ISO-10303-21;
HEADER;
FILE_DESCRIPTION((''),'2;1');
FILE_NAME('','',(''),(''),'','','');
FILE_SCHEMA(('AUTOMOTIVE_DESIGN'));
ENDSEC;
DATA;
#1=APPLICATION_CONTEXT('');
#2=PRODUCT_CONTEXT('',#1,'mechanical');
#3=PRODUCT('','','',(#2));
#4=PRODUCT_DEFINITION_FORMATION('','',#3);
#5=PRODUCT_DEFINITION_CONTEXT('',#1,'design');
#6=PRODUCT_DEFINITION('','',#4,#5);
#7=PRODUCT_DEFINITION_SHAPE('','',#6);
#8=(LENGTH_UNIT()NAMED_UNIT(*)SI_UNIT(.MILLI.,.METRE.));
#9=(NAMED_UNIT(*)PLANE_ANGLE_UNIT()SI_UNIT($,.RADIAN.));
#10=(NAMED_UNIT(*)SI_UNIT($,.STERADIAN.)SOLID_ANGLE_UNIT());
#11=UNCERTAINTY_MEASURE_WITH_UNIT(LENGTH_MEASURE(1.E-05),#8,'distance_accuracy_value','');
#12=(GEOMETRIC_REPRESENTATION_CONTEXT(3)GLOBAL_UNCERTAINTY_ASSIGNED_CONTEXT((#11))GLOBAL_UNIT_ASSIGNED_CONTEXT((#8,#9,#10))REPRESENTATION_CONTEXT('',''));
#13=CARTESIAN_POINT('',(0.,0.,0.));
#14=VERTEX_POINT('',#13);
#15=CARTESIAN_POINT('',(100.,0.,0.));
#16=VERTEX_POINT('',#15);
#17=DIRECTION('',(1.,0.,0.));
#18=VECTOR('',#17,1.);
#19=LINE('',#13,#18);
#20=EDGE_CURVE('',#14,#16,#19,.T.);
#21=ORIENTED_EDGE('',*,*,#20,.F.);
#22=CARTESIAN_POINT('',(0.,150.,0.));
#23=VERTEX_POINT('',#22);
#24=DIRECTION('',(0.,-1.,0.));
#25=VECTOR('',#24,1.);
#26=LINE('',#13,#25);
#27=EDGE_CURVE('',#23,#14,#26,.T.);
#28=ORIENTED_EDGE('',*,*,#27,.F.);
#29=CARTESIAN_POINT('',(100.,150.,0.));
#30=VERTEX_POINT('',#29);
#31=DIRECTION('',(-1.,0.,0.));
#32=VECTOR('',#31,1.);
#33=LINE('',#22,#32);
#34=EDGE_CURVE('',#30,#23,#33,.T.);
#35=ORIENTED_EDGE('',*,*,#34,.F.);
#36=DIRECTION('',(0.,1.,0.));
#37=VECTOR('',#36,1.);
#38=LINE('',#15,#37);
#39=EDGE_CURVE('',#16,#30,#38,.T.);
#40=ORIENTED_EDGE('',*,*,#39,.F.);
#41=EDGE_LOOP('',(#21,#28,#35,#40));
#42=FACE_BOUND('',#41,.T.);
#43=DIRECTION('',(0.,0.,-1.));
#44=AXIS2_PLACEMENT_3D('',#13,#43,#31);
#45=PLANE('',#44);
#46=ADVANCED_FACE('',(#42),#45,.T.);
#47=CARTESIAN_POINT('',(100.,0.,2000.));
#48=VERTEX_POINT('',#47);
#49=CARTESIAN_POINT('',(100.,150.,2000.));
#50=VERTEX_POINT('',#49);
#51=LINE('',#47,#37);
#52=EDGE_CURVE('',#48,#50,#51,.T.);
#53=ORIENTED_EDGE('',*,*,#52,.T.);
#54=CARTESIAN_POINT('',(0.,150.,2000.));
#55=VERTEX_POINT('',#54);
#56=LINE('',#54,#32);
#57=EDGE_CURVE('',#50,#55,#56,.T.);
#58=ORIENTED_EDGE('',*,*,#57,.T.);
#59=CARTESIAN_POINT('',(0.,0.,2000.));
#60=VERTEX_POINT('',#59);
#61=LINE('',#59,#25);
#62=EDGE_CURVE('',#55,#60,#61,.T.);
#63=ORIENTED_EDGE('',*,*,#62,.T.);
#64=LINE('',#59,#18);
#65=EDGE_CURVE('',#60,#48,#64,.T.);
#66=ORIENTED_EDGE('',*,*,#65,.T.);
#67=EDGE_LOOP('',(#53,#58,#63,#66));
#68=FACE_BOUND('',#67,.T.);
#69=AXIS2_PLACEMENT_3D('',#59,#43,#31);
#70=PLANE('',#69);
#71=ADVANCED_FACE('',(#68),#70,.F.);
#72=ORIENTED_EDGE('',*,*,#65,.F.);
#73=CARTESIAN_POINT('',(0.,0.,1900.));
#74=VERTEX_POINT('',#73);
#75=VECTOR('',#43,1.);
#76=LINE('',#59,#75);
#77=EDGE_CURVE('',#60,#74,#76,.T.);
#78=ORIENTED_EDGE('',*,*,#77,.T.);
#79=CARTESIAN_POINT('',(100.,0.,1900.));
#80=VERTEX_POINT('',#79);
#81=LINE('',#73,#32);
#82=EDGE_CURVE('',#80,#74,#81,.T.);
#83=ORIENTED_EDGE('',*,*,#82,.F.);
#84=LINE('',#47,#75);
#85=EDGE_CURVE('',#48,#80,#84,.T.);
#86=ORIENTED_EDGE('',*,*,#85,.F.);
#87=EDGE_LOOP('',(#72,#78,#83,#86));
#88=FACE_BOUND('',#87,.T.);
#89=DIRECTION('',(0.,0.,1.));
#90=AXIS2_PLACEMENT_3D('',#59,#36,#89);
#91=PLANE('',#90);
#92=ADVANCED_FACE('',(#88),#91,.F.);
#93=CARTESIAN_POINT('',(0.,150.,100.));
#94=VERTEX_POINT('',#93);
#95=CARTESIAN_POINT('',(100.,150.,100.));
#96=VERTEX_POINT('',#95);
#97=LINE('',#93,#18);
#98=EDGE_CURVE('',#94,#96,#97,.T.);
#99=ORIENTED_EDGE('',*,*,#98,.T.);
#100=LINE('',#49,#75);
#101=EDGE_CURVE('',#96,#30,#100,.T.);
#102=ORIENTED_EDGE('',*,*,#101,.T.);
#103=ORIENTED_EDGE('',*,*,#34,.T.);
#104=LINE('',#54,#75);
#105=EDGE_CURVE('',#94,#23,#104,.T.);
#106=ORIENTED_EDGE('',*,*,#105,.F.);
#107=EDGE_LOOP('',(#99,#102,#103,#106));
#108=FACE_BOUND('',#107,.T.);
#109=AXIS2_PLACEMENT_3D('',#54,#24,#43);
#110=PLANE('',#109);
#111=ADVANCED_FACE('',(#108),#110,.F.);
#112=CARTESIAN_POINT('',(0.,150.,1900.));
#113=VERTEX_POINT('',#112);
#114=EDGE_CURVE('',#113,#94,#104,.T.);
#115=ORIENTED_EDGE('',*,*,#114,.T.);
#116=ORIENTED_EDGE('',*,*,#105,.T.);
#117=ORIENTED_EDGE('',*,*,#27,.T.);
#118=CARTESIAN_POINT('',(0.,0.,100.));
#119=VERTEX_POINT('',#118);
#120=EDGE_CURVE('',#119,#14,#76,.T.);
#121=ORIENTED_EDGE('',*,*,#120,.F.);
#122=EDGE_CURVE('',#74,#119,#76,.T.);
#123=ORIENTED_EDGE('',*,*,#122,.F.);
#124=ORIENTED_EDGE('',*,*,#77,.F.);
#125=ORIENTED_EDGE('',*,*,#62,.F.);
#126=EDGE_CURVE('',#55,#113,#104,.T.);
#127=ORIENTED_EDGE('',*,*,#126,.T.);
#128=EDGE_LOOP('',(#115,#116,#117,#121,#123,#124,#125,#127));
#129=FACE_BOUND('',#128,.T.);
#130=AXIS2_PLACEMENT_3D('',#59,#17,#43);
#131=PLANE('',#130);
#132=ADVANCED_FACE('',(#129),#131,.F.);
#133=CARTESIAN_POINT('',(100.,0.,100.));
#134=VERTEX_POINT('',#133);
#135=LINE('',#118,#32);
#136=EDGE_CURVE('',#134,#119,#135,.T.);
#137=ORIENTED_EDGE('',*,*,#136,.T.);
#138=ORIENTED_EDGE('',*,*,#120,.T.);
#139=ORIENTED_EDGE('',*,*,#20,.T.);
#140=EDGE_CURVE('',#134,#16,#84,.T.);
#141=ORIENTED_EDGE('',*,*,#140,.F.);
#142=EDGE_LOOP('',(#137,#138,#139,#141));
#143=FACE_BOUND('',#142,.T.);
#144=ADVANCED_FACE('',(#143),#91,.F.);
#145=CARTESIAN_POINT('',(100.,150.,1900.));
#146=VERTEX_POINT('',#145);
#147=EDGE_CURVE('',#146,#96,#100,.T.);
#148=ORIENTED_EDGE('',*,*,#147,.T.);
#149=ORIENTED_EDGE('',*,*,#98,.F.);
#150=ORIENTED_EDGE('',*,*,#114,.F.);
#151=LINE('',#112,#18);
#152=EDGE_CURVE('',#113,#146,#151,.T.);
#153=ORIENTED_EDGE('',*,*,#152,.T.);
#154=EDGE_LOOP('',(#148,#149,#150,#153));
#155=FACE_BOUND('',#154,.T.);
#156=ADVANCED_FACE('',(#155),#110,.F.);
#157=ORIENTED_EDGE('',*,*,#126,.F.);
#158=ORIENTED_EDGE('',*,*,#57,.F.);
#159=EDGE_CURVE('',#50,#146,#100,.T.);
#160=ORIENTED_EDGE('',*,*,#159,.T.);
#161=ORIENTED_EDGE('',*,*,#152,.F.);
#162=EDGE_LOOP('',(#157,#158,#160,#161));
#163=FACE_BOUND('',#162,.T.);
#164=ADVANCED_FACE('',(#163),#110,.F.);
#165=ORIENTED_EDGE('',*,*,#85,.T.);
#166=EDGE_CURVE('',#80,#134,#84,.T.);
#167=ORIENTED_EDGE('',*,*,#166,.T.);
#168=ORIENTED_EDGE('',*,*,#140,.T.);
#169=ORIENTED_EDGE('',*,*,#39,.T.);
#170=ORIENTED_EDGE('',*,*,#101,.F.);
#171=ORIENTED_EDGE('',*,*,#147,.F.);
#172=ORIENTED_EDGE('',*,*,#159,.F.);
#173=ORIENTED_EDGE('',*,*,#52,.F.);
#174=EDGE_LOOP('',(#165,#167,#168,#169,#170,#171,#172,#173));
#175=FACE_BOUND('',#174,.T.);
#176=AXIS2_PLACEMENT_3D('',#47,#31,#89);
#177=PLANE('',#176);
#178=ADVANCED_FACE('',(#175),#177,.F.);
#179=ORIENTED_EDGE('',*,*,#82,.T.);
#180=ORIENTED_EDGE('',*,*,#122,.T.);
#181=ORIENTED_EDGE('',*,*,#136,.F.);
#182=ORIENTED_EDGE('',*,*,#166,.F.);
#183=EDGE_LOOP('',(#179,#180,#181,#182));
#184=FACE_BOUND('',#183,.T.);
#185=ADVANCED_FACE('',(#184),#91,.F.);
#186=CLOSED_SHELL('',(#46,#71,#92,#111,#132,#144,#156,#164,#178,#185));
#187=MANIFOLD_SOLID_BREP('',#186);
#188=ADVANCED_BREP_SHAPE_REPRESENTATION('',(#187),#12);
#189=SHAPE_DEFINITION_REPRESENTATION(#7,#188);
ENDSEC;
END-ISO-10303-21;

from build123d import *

# Parameters (mm, degrees)
SKETCH1_W           = 100
SKETCH1_H           = 150
BOSS_EXTRUDE1_DEPTH = 2000


with BuildPart() as part:
    # Sketch1 → Boss-Extrude1 (new body)
    with BuildSketch(Plane.XY):
        with Locations((50, 75)):
            Rectangle(SKETCH1_W, SKETCH1_H)
    extrude(amount=BOSS_EXTRUDE1_DEPTH)


solid = part.part
